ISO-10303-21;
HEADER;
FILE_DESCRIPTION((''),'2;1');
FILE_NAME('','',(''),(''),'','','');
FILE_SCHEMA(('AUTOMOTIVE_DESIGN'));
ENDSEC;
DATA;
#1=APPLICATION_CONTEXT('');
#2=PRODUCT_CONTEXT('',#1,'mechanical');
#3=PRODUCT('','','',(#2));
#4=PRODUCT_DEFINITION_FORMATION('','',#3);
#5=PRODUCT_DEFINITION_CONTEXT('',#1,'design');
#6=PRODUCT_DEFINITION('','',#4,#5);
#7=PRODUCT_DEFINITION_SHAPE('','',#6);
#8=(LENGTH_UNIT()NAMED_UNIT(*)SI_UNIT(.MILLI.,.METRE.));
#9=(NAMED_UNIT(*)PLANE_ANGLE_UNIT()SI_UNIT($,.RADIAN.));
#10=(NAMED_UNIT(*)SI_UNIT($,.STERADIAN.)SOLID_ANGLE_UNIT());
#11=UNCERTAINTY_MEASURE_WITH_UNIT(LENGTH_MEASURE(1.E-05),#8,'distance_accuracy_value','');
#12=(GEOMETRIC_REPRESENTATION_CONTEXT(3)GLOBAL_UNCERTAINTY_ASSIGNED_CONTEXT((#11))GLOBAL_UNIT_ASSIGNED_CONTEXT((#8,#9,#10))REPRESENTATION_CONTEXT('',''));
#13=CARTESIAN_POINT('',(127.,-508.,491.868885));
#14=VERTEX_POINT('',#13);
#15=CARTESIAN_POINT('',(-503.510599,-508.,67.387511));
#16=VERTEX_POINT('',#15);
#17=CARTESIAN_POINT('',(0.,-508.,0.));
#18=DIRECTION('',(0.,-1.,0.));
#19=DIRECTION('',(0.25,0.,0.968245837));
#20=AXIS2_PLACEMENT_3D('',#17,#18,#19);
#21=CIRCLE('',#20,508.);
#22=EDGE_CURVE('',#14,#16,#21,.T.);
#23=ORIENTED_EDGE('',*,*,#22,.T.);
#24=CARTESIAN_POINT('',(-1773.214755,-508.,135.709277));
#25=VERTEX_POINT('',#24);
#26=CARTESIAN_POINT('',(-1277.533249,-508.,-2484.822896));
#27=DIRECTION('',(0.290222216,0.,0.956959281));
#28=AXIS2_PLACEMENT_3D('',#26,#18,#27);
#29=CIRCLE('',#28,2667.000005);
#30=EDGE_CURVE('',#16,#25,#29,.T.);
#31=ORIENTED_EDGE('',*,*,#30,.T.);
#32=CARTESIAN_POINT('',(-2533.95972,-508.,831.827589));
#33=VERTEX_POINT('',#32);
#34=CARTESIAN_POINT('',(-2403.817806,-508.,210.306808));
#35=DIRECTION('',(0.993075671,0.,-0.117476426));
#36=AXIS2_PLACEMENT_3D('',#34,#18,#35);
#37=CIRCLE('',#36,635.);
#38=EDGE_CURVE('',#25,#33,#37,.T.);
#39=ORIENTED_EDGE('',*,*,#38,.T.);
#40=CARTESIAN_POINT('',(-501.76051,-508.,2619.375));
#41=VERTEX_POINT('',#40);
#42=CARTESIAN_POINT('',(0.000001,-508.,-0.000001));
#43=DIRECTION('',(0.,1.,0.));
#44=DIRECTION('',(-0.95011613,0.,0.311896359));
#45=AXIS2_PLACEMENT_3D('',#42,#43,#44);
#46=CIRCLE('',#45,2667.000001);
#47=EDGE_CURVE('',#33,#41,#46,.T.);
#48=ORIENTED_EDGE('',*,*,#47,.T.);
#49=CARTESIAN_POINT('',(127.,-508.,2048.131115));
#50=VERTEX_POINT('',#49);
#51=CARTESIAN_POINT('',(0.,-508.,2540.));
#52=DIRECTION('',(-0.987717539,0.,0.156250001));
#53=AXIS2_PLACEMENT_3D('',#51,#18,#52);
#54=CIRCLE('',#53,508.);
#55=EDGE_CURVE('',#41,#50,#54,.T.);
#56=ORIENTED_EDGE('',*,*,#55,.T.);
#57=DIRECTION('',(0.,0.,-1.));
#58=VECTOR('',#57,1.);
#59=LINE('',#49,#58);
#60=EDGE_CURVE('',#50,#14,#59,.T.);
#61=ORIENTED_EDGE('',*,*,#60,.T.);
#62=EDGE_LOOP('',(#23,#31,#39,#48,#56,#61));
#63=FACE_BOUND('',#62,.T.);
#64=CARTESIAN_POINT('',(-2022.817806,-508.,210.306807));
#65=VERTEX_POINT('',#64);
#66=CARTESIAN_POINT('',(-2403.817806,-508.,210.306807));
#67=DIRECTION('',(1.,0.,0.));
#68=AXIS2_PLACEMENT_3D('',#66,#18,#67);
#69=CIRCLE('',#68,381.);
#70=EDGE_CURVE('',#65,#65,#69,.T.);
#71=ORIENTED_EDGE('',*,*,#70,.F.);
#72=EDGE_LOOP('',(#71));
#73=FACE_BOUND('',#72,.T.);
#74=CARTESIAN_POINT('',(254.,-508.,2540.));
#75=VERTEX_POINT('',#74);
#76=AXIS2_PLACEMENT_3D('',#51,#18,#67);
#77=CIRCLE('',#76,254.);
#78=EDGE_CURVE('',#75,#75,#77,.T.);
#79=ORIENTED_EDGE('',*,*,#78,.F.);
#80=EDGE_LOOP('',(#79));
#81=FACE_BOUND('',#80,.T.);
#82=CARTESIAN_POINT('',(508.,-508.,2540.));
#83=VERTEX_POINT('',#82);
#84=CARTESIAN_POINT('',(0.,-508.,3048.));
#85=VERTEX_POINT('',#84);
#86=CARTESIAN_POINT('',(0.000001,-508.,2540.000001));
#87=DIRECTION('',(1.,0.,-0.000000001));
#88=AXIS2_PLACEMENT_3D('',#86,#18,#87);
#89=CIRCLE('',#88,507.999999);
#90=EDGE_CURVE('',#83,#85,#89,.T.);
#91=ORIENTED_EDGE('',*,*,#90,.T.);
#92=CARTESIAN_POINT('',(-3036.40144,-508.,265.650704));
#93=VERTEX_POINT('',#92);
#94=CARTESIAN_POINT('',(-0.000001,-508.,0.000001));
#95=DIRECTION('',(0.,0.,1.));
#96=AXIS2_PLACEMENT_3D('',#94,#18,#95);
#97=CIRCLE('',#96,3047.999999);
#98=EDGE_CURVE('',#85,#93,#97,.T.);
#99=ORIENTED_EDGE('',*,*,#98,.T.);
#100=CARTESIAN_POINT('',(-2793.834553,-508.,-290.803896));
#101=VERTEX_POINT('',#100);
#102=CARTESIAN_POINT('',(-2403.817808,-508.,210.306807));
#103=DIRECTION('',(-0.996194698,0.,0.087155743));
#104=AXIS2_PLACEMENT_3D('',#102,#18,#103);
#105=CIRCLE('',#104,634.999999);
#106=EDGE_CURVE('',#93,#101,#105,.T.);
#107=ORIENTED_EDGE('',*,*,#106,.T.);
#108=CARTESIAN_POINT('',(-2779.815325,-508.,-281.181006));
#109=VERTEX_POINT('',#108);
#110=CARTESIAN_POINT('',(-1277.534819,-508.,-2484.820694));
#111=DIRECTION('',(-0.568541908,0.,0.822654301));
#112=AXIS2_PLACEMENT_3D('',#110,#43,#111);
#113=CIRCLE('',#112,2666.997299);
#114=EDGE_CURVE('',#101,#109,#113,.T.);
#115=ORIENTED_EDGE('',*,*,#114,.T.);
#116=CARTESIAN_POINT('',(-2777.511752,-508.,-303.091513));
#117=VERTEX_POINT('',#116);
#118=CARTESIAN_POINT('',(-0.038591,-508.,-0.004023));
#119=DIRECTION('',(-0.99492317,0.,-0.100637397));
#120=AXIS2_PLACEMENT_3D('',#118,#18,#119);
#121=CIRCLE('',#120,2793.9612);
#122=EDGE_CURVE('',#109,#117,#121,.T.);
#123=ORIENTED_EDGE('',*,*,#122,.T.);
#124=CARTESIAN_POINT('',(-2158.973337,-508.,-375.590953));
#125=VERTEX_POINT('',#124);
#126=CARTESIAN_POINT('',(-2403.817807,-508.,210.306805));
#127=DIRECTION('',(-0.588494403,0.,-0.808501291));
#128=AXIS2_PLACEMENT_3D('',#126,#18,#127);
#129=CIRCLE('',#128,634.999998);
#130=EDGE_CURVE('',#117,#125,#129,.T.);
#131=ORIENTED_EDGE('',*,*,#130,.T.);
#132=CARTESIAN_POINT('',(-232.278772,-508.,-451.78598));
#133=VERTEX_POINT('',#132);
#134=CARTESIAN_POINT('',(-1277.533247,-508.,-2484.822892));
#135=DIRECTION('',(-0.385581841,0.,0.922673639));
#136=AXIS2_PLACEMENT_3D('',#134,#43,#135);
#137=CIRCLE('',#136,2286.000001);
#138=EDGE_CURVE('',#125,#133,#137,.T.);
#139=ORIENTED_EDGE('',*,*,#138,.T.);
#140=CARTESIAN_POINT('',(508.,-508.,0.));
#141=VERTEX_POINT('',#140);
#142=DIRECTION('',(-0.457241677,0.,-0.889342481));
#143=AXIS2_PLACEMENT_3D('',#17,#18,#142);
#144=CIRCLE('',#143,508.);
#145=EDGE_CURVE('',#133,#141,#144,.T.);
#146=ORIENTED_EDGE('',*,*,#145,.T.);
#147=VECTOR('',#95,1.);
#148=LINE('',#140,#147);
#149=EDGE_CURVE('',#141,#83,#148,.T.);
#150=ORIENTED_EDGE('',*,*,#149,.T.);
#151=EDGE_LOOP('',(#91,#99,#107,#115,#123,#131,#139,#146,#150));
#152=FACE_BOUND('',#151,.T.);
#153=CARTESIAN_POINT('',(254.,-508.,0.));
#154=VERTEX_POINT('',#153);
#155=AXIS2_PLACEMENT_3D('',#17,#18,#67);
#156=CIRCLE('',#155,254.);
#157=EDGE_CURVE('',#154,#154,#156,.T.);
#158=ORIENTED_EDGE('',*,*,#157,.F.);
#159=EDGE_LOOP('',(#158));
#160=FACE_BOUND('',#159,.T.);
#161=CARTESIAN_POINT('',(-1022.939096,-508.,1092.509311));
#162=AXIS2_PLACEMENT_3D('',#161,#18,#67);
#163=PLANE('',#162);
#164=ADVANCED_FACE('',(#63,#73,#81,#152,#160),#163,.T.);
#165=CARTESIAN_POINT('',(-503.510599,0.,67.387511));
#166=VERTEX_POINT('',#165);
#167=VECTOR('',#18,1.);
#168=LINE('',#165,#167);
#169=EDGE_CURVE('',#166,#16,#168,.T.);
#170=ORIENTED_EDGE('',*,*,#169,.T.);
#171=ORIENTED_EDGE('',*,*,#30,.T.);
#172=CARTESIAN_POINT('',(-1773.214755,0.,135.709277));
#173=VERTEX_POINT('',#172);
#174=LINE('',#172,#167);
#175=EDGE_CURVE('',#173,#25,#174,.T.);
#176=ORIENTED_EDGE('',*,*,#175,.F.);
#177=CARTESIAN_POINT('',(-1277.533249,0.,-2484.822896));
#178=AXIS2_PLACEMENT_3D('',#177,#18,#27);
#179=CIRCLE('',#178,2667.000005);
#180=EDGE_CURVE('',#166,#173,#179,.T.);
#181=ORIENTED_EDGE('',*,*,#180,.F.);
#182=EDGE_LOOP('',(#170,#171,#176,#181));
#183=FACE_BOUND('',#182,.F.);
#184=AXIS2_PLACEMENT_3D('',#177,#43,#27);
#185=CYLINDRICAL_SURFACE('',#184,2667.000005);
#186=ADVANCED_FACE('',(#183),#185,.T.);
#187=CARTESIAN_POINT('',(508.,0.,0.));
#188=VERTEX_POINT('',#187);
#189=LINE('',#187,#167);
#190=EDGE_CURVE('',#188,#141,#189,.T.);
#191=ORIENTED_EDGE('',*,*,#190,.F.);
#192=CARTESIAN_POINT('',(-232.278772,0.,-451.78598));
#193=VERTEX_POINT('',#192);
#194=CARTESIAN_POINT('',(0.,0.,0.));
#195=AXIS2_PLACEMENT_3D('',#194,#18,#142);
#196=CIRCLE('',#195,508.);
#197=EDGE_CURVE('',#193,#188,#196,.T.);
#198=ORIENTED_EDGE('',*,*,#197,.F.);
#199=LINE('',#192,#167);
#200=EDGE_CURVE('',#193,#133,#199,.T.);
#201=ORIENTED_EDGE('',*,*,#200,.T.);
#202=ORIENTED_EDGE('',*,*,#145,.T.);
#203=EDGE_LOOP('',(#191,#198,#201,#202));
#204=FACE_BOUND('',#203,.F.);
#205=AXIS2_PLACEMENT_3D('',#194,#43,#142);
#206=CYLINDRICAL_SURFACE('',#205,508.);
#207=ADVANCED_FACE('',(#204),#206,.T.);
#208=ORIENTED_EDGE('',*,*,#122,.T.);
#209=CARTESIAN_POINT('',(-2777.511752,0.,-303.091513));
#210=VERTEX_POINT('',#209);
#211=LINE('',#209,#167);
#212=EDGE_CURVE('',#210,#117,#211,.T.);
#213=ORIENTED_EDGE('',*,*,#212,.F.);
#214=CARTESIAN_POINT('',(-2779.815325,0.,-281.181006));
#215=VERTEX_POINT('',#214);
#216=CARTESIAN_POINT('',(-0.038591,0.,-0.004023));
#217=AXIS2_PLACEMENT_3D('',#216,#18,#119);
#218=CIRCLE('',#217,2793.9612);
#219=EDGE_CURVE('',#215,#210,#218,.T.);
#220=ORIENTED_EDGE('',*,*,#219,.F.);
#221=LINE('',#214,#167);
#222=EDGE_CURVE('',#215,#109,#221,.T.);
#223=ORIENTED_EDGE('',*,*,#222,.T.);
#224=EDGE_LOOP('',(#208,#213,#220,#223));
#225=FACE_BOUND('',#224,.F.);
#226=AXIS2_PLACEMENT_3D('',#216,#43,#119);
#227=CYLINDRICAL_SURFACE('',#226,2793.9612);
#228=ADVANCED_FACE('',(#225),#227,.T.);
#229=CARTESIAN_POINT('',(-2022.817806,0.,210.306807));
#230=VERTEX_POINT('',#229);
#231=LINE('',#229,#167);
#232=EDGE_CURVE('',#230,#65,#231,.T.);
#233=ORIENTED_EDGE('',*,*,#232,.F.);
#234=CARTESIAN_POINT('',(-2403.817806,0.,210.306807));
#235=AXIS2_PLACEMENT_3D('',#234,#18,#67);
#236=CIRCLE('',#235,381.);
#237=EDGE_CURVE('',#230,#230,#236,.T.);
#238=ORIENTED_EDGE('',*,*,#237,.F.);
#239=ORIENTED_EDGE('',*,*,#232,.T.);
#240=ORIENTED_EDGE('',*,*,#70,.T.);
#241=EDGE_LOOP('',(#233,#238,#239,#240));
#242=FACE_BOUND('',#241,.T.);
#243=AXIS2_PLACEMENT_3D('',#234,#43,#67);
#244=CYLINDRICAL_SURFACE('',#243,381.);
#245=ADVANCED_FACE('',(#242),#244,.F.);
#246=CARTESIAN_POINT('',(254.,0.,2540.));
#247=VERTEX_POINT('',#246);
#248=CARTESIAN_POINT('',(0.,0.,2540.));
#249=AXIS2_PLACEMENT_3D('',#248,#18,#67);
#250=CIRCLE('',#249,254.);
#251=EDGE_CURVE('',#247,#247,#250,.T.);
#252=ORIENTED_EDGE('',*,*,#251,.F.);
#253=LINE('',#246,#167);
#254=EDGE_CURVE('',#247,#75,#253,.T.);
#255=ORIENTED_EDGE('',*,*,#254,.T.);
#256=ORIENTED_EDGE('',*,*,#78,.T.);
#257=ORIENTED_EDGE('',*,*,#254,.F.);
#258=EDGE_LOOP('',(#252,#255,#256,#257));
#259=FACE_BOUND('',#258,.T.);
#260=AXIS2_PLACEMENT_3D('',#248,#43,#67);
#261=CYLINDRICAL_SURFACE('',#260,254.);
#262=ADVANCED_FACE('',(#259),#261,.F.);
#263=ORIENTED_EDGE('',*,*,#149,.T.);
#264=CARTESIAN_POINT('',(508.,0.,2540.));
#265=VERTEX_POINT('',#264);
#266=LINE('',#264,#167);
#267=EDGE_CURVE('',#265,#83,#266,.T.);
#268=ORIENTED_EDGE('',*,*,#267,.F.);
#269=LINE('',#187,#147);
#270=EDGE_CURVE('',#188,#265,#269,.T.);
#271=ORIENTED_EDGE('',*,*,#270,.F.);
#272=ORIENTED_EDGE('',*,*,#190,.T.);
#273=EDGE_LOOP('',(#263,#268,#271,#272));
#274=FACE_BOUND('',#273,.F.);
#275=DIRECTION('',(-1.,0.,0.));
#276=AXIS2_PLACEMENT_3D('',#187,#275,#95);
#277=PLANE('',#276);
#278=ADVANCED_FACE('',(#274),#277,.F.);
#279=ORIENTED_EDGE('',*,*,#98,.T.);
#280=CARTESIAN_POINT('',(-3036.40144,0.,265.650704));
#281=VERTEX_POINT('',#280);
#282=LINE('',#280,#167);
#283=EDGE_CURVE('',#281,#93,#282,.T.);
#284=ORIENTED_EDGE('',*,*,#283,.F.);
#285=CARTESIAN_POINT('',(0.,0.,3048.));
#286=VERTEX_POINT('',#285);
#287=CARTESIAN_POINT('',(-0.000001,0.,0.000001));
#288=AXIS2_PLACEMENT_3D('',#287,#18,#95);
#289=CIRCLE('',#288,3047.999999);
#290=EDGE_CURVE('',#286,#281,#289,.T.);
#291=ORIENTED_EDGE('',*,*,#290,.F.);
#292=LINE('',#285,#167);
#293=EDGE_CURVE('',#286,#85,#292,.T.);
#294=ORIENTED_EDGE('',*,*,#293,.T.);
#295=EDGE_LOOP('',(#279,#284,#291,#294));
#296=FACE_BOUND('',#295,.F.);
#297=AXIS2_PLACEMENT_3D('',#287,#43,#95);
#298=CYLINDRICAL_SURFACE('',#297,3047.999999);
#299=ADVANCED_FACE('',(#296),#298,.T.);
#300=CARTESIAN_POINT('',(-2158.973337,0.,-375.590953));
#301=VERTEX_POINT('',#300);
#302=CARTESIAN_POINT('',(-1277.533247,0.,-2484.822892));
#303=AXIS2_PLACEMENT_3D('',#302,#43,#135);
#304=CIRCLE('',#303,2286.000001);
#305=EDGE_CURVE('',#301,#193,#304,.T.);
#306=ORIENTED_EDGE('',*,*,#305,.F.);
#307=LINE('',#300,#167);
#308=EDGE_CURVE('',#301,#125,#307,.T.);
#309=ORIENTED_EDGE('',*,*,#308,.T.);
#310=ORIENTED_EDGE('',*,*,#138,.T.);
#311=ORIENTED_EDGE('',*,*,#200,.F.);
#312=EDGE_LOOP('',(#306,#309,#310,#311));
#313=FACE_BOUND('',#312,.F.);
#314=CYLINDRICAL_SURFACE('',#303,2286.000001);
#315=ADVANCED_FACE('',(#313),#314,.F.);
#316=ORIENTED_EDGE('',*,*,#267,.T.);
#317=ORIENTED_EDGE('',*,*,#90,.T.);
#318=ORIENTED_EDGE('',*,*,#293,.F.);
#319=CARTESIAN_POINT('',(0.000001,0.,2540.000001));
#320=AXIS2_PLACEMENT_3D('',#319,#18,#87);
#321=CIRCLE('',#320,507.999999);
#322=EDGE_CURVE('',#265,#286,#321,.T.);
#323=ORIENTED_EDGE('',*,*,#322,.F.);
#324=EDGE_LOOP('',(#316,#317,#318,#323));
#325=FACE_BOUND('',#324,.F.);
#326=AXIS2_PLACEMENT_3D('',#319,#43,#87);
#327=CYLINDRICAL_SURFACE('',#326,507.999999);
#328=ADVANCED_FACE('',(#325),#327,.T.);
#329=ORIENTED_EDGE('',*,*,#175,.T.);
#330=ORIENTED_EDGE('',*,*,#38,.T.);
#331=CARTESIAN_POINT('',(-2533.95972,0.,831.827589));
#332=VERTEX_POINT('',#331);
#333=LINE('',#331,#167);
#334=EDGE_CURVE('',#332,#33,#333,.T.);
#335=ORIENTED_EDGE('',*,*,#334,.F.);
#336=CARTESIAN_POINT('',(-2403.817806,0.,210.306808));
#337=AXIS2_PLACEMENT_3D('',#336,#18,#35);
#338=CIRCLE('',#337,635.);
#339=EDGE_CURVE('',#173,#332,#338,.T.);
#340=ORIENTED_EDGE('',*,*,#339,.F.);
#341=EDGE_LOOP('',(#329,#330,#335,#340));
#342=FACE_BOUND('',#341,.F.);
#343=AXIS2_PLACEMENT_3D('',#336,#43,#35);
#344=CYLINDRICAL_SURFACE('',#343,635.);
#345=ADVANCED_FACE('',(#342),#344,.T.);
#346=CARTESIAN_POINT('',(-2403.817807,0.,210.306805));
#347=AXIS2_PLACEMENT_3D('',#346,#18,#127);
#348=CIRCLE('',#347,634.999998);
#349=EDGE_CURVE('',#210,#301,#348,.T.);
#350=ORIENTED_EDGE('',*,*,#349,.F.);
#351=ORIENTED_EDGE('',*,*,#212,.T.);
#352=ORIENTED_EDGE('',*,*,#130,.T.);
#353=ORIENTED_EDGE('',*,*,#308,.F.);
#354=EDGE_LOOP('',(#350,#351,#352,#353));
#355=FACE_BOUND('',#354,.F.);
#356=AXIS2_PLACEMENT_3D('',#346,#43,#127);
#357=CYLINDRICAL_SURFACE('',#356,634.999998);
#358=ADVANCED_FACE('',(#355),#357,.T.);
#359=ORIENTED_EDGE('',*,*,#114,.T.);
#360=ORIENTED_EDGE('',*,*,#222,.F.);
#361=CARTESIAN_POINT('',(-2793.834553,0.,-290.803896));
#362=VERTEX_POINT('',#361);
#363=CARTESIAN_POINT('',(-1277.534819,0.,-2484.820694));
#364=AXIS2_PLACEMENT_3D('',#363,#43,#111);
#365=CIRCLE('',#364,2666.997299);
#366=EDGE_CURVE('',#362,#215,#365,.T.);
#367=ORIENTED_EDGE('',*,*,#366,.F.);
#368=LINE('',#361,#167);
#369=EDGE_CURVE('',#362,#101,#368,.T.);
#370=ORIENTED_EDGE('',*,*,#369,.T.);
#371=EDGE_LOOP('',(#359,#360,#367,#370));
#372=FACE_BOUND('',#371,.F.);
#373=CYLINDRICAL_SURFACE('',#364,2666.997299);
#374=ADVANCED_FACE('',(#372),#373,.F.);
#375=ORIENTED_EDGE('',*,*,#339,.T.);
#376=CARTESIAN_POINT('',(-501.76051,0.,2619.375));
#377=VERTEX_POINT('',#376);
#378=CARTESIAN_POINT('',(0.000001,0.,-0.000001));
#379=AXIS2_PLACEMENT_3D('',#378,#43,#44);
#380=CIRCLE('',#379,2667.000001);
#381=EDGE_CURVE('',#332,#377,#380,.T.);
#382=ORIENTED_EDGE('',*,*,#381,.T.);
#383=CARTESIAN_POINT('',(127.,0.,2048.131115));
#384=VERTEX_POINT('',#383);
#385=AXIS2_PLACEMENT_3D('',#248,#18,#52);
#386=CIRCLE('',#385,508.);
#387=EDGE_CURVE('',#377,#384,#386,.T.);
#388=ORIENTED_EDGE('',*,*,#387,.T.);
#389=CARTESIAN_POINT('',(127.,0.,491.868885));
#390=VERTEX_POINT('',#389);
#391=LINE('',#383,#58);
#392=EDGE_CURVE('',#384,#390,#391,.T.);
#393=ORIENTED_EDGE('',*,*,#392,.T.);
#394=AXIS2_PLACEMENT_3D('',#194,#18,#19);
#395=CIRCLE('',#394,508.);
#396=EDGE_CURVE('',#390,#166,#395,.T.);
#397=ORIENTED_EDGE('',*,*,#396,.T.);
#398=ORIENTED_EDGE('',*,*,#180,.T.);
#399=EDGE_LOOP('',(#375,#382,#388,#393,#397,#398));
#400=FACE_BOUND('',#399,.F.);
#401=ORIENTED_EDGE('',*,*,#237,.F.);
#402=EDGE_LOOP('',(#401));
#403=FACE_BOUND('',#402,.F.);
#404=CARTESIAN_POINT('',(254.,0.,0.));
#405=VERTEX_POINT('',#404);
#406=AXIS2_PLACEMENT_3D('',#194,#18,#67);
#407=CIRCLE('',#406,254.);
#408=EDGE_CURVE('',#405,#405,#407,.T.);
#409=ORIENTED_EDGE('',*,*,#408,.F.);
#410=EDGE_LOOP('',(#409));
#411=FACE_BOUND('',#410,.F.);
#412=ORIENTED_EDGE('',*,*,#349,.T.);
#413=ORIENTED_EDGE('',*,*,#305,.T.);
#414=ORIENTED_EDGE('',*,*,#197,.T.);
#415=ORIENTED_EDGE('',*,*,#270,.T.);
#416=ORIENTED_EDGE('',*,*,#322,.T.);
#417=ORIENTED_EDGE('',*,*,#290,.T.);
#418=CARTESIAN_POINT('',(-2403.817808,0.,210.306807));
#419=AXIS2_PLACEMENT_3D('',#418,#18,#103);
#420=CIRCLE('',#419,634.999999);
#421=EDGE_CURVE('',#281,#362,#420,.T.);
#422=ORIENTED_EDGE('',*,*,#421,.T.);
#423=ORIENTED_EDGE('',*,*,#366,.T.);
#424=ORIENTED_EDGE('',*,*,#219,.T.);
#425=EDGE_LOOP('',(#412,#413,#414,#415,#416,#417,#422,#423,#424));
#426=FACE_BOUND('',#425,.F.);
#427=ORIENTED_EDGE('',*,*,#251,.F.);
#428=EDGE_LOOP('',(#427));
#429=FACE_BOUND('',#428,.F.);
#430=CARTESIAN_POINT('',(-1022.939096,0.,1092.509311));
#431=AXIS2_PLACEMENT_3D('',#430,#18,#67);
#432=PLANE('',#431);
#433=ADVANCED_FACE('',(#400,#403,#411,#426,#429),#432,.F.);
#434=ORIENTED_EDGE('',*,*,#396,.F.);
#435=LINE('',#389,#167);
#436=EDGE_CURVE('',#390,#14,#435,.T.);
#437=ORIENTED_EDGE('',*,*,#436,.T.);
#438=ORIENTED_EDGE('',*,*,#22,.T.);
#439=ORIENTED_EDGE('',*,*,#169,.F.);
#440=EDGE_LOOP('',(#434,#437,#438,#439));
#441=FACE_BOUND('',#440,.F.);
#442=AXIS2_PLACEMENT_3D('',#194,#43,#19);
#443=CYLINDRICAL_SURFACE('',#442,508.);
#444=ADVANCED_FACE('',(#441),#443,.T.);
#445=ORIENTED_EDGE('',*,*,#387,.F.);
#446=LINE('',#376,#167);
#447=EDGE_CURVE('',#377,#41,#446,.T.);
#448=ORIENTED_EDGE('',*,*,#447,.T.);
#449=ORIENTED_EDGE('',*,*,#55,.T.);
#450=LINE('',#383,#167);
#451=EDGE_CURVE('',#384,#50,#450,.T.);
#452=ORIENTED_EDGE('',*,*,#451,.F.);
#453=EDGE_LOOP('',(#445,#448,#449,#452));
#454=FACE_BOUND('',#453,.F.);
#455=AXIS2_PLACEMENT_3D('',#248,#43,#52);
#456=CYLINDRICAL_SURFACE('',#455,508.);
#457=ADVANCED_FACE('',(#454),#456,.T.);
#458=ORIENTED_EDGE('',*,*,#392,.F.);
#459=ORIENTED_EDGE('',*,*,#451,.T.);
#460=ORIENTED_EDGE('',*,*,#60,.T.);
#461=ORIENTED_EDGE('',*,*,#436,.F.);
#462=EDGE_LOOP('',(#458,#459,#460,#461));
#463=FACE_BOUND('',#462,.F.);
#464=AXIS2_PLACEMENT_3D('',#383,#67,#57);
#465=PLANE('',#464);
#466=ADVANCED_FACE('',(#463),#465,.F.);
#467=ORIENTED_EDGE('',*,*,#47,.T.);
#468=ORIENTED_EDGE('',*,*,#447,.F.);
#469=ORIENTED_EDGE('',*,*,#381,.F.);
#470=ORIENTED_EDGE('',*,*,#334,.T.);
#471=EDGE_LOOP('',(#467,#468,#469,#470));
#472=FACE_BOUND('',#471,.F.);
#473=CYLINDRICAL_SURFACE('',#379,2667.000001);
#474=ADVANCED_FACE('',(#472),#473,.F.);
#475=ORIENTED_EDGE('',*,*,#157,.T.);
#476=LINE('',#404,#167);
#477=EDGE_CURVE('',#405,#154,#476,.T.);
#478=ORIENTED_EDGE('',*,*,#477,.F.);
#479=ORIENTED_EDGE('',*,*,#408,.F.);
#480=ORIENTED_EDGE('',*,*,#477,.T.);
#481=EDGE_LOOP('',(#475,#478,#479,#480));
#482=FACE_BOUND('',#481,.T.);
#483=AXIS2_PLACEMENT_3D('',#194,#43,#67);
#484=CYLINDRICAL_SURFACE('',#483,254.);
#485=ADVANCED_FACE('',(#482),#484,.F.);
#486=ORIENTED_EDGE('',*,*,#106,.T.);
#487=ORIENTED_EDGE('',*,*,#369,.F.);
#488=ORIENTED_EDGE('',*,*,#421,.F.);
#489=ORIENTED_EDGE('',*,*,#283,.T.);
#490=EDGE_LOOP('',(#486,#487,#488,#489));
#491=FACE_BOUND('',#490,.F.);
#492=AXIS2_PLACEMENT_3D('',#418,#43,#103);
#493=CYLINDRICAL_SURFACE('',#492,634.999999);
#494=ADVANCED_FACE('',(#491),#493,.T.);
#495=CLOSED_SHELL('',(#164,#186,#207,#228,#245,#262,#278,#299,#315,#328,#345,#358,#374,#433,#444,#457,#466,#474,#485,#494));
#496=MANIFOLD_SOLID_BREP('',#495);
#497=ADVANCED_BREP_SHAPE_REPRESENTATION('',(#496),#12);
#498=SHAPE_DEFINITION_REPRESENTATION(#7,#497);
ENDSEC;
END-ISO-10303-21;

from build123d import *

# Parameters (mm, degrees)
F0_R     = 381
F0_R_2   = 254
F1_DEPTH = 508


with BuildPart() as f1:
    # F0 (on Front) → F1 (new body)
    with BuildSketch(Plane.XZ):
        with BuildLine():
            ThreePointArc((-2158.973337, -375.590953), (-1187.199374, -200.608411), (-232.278772, -451.78598))
            ThreePointArc((-232.278772, -451.78598), (264.63785, -433.625193), (508, 0))
            Line((508, 0), (508, 2540))
            ThreePointArc((508, 2540), (359.210245, 2899.210245), (0, 3048))
            ThreePointArc((0, 3048), (-2059.198953, 2247.221323), (-3036.40144, 265.650704))
            ThreePointArc((-3036.40144, 265.650704), (-2985.916007, -43.438508), (-2793.834553, -290.803896))
            ThreePointArc((-2793.834553, -290.803896), (-2786.832608, -285.981278), (-2779.815325, -281.181006))
            ThreePointArc((-2779.815325, -281.181006), (-2778.685135, -292.13853), (-2777.511752, -303.091513))
            ThreePointArc((-2777.511752, -303.091513), (-2477.740666, -420.375689), (-2158.973337, -375.590953))
        make_face()
        with Locations((-2403.817806, 210.306807)):
            Circle(F0_R, mode=Mode.SUBTRACT)
        Circle(F0_R_2, mode=Mode.SUBTRACT)
        with BuildLine():
            ThreePointArc((127, 491.868885), (-283.700841, 421.399849), (-503.510599, 67.387511))
            ThreePointArc((-503.510599, 67.387511), (-1134.231421, 178.324417), (-1773.214755, 135.709277))
            ThreePointArc((-1773.214755, 135.709277), (-1975.144838, 678.777176), (-2533.95972, 831.827589))
            ThreePointArc((-2533.95972, 831.827589), (-1761.457001, 2002.537948), (-501.76051, 2619.375))
            ThreePointArc((-501.76051, 2619.375), (-341.601016, 2164.004327), (127, 2048.131115))
            Line((127, 2048.131115), (127, 491.868885))
        make_face(mode=Mode.SUBTRACT)
        with Locations((0, 2540)):
            Circle(F0_R_2, mode=Mode.SUBTRACT)
    extrude(amount=F1_DEPTH)


solid = f1.part
